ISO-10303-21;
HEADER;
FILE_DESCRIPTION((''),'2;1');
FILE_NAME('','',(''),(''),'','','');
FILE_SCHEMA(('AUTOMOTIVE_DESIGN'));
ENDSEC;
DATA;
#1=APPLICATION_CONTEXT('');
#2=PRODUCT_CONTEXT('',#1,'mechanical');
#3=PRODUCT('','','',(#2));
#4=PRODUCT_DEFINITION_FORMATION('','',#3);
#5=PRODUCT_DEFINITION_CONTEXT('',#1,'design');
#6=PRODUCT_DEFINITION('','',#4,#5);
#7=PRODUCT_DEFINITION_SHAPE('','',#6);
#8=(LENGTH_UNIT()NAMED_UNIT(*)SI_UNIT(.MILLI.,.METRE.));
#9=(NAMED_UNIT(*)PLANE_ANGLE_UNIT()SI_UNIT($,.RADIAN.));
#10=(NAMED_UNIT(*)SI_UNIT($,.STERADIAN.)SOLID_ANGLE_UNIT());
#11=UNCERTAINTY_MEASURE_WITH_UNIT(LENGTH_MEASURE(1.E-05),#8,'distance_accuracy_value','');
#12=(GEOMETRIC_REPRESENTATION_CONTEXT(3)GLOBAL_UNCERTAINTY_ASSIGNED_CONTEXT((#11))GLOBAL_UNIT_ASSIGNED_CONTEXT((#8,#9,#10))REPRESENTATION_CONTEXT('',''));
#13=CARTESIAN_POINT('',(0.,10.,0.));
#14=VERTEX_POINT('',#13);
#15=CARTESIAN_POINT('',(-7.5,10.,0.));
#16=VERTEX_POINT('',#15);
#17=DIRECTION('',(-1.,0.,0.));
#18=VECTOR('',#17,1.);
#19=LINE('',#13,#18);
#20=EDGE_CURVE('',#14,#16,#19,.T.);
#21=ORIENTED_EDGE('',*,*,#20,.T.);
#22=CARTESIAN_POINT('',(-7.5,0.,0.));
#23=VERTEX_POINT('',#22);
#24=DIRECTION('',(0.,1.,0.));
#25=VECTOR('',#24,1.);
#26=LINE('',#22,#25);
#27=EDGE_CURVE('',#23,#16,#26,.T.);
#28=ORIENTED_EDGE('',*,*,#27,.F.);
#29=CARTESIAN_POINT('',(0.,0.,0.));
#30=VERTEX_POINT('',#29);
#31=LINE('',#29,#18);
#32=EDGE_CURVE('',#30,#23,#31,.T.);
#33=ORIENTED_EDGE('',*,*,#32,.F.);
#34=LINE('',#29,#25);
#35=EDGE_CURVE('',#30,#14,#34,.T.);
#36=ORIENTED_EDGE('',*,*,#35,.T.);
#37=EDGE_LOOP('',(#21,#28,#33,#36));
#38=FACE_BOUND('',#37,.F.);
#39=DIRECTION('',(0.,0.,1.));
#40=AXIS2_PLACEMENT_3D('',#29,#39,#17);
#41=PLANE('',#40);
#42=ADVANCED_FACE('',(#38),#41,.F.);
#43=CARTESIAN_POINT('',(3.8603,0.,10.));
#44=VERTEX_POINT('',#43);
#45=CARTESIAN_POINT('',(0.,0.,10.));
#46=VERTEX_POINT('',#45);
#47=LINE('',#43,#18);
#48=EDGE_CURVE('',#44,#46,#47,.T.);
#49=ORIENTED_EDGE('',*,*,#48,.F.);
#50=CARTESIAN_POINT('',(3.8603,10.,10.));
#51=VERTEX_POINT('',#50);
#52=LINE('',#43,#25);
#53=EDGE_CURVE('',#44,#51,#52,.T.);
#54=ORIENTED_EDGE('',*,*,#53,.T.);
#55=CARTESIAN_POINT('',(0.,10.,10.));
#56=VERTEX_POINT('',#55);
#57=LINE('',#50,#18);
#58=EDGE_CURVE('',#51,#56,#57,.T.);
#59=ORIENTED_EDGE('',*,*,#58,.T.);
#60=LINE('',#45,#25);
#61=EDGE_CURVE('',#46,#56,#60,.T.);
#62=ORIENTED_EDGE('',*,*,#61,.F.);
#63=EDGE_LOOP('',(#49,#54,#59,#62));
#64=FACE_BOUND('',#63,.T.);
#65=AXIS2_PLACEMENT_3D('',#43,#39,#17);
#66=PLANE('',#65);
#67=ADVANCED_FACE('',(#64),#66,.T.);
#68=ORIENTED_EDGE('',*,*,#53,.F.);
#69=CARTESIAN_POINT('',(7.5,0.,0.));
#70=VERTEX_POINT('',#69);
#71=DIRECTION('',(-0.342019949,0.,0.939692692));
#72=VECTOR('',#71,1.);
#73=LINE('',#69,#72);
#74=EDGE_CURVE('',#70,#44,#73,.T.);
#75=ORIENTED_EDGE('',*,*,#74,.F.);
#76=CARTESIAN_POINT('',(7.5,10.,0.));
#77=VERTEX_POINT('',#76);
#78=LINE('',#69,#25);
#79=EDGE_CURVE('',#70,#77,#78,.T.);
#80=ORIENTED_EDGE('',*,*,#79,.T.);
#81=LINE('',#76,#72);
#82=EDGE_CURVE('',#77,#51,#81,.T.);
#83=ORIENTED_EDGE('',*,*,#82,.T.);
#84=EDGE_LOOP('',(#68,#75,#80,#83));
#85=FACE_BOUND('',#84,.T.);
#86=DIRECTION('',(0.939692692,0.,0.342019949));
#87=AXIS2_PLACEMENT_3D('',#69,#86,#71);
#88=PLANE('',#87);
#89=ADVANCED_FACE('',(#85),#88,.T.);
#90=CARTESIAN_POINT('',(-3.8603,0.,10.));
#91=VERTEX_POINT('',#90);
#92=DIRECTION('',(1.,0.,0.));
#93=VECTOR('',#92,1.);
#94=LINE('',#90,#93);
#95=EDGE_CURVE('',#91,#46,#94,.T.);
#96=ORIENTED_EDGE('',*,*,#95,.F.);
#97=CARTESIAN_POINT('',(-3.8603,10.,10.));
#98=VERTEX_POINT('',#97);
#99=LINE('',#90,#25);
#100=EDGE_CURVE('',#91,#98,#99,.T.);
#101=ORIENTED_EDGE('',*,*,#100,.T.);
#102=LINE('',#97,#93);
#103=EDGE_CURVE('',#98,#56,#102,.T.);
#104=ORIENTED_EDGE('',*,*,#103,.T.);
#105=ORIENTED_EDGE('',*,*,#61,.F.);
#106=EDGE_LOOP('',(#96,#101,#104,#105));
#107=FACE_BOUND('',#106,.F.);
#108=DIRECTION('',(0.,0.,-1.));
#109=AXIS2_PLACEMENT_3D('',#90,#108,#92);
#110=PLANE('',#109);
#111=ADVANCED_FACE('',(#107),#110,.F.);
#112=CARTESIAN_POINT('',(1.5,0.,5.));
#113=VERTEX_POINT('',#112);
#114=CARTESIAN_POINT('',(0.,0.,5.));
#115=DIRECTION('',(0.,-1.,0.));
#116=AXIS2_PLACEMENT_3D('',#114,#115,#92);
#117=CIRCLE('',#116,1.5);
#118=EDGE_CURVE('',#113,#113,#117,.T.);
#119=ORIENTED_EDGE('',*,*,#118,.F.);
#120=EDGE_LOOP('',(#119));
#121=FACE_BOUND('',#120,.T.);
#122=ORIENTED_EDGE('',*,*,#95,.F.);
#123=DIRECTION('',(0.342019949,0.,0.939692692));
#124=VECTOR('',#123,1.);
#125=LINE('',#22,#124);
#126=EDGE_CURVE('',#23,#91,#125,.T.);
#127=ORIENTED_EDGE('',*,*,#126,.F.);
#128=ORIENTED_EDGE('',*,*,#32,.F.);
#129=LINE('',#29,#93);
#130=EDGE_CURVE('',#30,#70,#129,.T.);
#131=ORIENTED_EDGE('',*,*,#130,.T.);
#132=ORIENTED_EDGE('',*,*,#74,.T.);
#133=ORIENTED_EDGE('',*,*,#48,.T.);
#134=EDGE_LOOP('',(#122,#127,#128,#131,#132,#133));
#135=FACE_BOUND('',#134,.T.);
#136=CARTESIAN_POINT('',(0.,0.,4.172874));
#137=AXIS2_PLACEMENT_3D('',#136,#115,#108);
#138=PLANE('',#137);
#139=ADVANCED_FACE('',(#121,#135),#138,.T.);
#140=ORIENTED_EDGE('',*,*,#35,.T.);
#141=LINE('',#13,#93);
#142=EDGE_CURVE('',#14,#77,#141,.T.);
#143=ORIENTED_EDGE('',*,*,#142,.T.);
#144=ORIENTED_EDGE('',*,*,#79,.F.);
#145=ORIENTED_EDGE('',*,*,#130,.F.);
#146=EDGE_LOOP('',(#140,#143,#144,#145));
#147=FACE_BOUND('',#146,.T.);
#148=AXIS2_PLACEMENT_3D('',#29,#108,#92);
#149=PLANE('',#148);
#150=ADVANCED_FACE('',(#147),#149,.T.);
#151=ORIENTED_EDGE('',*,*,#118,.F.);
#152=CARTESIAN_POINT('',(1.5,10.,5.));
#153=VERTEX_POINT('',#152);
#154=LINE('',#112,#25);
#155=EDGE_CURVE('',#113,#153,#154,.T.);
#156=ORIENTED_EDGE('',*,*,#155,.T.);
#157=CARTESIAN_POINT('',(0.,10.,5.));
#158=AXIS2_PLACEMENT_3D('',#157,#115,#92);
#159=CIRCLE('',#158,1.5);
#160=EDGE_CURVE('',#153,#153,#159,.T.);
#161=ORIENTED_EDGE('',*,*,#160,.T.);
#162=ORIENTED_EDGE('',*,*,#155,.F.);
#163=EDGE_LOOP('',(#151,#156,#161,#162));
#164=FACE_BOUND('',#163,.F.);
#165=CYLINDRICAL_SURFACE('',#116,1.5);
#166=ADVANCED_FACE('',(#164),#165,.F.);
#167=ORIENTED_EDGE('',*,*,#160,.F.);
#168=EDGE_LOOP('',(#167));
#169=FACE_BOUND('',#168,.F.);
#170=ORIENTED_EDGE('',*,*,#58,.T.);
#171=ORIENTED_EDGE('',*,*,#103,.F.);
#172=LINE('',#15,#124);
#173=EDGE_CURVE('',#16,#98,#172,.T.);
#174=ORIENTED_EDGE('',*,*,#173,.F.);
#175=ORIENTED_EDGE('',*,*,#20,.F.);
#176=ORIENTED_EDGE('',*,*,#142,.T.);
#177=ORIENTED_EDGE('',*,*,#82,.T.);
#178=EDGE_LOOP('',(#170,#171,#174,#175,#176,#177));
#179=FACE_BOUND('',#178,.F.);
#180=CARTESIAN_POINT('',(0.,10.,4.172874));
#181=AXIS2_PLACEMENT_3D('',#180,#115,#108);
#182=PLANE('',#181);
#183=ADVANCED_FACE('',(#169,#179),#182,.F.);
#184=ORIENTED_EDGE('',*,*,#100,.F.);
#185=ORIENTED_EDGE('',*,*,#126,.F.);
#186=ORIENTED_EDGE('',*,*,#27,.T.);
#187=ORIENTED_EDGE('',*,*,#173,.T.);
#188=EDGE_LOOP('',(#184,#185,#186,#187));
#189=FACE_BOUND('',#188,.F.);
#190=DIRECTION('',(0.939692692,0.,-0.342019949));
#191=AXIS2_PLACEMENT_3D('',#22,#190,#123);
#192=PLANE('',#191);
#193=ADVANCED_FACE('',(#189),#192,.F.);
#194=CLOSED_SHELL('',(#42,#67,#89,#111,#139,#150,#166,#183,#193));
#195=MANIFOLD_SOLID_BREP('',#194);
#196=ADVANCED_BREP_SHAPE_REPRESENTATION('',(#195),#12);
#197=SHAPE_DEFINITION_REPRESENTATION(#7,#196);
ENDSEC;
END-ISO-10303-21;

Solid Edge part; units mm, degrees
sketch "Sketch1" plane through (0, 0, 0) normal (0, -1, 0) x (1, 0, 0)
  line L0 (7.5, 0) -> (3.8603, 10)
  line L1 (3.8603, 10) -> (0, 10)
  line L2 (-3.8603, 10) -> (0, 10)
  line L3 (-7.5, 0) -> (-3.8603, 10)
  line L4 (0, 0) -> (-7.5, 0)
  line L5 (0, 0) -> (7.5, 0)
  circle A0 centre (0, 5) radius 1.5
  dimension "D1" = 10
  dimension "D2" = 15
extrude "Protrusion1" add sketch "Sketch1" against normal blind 10
